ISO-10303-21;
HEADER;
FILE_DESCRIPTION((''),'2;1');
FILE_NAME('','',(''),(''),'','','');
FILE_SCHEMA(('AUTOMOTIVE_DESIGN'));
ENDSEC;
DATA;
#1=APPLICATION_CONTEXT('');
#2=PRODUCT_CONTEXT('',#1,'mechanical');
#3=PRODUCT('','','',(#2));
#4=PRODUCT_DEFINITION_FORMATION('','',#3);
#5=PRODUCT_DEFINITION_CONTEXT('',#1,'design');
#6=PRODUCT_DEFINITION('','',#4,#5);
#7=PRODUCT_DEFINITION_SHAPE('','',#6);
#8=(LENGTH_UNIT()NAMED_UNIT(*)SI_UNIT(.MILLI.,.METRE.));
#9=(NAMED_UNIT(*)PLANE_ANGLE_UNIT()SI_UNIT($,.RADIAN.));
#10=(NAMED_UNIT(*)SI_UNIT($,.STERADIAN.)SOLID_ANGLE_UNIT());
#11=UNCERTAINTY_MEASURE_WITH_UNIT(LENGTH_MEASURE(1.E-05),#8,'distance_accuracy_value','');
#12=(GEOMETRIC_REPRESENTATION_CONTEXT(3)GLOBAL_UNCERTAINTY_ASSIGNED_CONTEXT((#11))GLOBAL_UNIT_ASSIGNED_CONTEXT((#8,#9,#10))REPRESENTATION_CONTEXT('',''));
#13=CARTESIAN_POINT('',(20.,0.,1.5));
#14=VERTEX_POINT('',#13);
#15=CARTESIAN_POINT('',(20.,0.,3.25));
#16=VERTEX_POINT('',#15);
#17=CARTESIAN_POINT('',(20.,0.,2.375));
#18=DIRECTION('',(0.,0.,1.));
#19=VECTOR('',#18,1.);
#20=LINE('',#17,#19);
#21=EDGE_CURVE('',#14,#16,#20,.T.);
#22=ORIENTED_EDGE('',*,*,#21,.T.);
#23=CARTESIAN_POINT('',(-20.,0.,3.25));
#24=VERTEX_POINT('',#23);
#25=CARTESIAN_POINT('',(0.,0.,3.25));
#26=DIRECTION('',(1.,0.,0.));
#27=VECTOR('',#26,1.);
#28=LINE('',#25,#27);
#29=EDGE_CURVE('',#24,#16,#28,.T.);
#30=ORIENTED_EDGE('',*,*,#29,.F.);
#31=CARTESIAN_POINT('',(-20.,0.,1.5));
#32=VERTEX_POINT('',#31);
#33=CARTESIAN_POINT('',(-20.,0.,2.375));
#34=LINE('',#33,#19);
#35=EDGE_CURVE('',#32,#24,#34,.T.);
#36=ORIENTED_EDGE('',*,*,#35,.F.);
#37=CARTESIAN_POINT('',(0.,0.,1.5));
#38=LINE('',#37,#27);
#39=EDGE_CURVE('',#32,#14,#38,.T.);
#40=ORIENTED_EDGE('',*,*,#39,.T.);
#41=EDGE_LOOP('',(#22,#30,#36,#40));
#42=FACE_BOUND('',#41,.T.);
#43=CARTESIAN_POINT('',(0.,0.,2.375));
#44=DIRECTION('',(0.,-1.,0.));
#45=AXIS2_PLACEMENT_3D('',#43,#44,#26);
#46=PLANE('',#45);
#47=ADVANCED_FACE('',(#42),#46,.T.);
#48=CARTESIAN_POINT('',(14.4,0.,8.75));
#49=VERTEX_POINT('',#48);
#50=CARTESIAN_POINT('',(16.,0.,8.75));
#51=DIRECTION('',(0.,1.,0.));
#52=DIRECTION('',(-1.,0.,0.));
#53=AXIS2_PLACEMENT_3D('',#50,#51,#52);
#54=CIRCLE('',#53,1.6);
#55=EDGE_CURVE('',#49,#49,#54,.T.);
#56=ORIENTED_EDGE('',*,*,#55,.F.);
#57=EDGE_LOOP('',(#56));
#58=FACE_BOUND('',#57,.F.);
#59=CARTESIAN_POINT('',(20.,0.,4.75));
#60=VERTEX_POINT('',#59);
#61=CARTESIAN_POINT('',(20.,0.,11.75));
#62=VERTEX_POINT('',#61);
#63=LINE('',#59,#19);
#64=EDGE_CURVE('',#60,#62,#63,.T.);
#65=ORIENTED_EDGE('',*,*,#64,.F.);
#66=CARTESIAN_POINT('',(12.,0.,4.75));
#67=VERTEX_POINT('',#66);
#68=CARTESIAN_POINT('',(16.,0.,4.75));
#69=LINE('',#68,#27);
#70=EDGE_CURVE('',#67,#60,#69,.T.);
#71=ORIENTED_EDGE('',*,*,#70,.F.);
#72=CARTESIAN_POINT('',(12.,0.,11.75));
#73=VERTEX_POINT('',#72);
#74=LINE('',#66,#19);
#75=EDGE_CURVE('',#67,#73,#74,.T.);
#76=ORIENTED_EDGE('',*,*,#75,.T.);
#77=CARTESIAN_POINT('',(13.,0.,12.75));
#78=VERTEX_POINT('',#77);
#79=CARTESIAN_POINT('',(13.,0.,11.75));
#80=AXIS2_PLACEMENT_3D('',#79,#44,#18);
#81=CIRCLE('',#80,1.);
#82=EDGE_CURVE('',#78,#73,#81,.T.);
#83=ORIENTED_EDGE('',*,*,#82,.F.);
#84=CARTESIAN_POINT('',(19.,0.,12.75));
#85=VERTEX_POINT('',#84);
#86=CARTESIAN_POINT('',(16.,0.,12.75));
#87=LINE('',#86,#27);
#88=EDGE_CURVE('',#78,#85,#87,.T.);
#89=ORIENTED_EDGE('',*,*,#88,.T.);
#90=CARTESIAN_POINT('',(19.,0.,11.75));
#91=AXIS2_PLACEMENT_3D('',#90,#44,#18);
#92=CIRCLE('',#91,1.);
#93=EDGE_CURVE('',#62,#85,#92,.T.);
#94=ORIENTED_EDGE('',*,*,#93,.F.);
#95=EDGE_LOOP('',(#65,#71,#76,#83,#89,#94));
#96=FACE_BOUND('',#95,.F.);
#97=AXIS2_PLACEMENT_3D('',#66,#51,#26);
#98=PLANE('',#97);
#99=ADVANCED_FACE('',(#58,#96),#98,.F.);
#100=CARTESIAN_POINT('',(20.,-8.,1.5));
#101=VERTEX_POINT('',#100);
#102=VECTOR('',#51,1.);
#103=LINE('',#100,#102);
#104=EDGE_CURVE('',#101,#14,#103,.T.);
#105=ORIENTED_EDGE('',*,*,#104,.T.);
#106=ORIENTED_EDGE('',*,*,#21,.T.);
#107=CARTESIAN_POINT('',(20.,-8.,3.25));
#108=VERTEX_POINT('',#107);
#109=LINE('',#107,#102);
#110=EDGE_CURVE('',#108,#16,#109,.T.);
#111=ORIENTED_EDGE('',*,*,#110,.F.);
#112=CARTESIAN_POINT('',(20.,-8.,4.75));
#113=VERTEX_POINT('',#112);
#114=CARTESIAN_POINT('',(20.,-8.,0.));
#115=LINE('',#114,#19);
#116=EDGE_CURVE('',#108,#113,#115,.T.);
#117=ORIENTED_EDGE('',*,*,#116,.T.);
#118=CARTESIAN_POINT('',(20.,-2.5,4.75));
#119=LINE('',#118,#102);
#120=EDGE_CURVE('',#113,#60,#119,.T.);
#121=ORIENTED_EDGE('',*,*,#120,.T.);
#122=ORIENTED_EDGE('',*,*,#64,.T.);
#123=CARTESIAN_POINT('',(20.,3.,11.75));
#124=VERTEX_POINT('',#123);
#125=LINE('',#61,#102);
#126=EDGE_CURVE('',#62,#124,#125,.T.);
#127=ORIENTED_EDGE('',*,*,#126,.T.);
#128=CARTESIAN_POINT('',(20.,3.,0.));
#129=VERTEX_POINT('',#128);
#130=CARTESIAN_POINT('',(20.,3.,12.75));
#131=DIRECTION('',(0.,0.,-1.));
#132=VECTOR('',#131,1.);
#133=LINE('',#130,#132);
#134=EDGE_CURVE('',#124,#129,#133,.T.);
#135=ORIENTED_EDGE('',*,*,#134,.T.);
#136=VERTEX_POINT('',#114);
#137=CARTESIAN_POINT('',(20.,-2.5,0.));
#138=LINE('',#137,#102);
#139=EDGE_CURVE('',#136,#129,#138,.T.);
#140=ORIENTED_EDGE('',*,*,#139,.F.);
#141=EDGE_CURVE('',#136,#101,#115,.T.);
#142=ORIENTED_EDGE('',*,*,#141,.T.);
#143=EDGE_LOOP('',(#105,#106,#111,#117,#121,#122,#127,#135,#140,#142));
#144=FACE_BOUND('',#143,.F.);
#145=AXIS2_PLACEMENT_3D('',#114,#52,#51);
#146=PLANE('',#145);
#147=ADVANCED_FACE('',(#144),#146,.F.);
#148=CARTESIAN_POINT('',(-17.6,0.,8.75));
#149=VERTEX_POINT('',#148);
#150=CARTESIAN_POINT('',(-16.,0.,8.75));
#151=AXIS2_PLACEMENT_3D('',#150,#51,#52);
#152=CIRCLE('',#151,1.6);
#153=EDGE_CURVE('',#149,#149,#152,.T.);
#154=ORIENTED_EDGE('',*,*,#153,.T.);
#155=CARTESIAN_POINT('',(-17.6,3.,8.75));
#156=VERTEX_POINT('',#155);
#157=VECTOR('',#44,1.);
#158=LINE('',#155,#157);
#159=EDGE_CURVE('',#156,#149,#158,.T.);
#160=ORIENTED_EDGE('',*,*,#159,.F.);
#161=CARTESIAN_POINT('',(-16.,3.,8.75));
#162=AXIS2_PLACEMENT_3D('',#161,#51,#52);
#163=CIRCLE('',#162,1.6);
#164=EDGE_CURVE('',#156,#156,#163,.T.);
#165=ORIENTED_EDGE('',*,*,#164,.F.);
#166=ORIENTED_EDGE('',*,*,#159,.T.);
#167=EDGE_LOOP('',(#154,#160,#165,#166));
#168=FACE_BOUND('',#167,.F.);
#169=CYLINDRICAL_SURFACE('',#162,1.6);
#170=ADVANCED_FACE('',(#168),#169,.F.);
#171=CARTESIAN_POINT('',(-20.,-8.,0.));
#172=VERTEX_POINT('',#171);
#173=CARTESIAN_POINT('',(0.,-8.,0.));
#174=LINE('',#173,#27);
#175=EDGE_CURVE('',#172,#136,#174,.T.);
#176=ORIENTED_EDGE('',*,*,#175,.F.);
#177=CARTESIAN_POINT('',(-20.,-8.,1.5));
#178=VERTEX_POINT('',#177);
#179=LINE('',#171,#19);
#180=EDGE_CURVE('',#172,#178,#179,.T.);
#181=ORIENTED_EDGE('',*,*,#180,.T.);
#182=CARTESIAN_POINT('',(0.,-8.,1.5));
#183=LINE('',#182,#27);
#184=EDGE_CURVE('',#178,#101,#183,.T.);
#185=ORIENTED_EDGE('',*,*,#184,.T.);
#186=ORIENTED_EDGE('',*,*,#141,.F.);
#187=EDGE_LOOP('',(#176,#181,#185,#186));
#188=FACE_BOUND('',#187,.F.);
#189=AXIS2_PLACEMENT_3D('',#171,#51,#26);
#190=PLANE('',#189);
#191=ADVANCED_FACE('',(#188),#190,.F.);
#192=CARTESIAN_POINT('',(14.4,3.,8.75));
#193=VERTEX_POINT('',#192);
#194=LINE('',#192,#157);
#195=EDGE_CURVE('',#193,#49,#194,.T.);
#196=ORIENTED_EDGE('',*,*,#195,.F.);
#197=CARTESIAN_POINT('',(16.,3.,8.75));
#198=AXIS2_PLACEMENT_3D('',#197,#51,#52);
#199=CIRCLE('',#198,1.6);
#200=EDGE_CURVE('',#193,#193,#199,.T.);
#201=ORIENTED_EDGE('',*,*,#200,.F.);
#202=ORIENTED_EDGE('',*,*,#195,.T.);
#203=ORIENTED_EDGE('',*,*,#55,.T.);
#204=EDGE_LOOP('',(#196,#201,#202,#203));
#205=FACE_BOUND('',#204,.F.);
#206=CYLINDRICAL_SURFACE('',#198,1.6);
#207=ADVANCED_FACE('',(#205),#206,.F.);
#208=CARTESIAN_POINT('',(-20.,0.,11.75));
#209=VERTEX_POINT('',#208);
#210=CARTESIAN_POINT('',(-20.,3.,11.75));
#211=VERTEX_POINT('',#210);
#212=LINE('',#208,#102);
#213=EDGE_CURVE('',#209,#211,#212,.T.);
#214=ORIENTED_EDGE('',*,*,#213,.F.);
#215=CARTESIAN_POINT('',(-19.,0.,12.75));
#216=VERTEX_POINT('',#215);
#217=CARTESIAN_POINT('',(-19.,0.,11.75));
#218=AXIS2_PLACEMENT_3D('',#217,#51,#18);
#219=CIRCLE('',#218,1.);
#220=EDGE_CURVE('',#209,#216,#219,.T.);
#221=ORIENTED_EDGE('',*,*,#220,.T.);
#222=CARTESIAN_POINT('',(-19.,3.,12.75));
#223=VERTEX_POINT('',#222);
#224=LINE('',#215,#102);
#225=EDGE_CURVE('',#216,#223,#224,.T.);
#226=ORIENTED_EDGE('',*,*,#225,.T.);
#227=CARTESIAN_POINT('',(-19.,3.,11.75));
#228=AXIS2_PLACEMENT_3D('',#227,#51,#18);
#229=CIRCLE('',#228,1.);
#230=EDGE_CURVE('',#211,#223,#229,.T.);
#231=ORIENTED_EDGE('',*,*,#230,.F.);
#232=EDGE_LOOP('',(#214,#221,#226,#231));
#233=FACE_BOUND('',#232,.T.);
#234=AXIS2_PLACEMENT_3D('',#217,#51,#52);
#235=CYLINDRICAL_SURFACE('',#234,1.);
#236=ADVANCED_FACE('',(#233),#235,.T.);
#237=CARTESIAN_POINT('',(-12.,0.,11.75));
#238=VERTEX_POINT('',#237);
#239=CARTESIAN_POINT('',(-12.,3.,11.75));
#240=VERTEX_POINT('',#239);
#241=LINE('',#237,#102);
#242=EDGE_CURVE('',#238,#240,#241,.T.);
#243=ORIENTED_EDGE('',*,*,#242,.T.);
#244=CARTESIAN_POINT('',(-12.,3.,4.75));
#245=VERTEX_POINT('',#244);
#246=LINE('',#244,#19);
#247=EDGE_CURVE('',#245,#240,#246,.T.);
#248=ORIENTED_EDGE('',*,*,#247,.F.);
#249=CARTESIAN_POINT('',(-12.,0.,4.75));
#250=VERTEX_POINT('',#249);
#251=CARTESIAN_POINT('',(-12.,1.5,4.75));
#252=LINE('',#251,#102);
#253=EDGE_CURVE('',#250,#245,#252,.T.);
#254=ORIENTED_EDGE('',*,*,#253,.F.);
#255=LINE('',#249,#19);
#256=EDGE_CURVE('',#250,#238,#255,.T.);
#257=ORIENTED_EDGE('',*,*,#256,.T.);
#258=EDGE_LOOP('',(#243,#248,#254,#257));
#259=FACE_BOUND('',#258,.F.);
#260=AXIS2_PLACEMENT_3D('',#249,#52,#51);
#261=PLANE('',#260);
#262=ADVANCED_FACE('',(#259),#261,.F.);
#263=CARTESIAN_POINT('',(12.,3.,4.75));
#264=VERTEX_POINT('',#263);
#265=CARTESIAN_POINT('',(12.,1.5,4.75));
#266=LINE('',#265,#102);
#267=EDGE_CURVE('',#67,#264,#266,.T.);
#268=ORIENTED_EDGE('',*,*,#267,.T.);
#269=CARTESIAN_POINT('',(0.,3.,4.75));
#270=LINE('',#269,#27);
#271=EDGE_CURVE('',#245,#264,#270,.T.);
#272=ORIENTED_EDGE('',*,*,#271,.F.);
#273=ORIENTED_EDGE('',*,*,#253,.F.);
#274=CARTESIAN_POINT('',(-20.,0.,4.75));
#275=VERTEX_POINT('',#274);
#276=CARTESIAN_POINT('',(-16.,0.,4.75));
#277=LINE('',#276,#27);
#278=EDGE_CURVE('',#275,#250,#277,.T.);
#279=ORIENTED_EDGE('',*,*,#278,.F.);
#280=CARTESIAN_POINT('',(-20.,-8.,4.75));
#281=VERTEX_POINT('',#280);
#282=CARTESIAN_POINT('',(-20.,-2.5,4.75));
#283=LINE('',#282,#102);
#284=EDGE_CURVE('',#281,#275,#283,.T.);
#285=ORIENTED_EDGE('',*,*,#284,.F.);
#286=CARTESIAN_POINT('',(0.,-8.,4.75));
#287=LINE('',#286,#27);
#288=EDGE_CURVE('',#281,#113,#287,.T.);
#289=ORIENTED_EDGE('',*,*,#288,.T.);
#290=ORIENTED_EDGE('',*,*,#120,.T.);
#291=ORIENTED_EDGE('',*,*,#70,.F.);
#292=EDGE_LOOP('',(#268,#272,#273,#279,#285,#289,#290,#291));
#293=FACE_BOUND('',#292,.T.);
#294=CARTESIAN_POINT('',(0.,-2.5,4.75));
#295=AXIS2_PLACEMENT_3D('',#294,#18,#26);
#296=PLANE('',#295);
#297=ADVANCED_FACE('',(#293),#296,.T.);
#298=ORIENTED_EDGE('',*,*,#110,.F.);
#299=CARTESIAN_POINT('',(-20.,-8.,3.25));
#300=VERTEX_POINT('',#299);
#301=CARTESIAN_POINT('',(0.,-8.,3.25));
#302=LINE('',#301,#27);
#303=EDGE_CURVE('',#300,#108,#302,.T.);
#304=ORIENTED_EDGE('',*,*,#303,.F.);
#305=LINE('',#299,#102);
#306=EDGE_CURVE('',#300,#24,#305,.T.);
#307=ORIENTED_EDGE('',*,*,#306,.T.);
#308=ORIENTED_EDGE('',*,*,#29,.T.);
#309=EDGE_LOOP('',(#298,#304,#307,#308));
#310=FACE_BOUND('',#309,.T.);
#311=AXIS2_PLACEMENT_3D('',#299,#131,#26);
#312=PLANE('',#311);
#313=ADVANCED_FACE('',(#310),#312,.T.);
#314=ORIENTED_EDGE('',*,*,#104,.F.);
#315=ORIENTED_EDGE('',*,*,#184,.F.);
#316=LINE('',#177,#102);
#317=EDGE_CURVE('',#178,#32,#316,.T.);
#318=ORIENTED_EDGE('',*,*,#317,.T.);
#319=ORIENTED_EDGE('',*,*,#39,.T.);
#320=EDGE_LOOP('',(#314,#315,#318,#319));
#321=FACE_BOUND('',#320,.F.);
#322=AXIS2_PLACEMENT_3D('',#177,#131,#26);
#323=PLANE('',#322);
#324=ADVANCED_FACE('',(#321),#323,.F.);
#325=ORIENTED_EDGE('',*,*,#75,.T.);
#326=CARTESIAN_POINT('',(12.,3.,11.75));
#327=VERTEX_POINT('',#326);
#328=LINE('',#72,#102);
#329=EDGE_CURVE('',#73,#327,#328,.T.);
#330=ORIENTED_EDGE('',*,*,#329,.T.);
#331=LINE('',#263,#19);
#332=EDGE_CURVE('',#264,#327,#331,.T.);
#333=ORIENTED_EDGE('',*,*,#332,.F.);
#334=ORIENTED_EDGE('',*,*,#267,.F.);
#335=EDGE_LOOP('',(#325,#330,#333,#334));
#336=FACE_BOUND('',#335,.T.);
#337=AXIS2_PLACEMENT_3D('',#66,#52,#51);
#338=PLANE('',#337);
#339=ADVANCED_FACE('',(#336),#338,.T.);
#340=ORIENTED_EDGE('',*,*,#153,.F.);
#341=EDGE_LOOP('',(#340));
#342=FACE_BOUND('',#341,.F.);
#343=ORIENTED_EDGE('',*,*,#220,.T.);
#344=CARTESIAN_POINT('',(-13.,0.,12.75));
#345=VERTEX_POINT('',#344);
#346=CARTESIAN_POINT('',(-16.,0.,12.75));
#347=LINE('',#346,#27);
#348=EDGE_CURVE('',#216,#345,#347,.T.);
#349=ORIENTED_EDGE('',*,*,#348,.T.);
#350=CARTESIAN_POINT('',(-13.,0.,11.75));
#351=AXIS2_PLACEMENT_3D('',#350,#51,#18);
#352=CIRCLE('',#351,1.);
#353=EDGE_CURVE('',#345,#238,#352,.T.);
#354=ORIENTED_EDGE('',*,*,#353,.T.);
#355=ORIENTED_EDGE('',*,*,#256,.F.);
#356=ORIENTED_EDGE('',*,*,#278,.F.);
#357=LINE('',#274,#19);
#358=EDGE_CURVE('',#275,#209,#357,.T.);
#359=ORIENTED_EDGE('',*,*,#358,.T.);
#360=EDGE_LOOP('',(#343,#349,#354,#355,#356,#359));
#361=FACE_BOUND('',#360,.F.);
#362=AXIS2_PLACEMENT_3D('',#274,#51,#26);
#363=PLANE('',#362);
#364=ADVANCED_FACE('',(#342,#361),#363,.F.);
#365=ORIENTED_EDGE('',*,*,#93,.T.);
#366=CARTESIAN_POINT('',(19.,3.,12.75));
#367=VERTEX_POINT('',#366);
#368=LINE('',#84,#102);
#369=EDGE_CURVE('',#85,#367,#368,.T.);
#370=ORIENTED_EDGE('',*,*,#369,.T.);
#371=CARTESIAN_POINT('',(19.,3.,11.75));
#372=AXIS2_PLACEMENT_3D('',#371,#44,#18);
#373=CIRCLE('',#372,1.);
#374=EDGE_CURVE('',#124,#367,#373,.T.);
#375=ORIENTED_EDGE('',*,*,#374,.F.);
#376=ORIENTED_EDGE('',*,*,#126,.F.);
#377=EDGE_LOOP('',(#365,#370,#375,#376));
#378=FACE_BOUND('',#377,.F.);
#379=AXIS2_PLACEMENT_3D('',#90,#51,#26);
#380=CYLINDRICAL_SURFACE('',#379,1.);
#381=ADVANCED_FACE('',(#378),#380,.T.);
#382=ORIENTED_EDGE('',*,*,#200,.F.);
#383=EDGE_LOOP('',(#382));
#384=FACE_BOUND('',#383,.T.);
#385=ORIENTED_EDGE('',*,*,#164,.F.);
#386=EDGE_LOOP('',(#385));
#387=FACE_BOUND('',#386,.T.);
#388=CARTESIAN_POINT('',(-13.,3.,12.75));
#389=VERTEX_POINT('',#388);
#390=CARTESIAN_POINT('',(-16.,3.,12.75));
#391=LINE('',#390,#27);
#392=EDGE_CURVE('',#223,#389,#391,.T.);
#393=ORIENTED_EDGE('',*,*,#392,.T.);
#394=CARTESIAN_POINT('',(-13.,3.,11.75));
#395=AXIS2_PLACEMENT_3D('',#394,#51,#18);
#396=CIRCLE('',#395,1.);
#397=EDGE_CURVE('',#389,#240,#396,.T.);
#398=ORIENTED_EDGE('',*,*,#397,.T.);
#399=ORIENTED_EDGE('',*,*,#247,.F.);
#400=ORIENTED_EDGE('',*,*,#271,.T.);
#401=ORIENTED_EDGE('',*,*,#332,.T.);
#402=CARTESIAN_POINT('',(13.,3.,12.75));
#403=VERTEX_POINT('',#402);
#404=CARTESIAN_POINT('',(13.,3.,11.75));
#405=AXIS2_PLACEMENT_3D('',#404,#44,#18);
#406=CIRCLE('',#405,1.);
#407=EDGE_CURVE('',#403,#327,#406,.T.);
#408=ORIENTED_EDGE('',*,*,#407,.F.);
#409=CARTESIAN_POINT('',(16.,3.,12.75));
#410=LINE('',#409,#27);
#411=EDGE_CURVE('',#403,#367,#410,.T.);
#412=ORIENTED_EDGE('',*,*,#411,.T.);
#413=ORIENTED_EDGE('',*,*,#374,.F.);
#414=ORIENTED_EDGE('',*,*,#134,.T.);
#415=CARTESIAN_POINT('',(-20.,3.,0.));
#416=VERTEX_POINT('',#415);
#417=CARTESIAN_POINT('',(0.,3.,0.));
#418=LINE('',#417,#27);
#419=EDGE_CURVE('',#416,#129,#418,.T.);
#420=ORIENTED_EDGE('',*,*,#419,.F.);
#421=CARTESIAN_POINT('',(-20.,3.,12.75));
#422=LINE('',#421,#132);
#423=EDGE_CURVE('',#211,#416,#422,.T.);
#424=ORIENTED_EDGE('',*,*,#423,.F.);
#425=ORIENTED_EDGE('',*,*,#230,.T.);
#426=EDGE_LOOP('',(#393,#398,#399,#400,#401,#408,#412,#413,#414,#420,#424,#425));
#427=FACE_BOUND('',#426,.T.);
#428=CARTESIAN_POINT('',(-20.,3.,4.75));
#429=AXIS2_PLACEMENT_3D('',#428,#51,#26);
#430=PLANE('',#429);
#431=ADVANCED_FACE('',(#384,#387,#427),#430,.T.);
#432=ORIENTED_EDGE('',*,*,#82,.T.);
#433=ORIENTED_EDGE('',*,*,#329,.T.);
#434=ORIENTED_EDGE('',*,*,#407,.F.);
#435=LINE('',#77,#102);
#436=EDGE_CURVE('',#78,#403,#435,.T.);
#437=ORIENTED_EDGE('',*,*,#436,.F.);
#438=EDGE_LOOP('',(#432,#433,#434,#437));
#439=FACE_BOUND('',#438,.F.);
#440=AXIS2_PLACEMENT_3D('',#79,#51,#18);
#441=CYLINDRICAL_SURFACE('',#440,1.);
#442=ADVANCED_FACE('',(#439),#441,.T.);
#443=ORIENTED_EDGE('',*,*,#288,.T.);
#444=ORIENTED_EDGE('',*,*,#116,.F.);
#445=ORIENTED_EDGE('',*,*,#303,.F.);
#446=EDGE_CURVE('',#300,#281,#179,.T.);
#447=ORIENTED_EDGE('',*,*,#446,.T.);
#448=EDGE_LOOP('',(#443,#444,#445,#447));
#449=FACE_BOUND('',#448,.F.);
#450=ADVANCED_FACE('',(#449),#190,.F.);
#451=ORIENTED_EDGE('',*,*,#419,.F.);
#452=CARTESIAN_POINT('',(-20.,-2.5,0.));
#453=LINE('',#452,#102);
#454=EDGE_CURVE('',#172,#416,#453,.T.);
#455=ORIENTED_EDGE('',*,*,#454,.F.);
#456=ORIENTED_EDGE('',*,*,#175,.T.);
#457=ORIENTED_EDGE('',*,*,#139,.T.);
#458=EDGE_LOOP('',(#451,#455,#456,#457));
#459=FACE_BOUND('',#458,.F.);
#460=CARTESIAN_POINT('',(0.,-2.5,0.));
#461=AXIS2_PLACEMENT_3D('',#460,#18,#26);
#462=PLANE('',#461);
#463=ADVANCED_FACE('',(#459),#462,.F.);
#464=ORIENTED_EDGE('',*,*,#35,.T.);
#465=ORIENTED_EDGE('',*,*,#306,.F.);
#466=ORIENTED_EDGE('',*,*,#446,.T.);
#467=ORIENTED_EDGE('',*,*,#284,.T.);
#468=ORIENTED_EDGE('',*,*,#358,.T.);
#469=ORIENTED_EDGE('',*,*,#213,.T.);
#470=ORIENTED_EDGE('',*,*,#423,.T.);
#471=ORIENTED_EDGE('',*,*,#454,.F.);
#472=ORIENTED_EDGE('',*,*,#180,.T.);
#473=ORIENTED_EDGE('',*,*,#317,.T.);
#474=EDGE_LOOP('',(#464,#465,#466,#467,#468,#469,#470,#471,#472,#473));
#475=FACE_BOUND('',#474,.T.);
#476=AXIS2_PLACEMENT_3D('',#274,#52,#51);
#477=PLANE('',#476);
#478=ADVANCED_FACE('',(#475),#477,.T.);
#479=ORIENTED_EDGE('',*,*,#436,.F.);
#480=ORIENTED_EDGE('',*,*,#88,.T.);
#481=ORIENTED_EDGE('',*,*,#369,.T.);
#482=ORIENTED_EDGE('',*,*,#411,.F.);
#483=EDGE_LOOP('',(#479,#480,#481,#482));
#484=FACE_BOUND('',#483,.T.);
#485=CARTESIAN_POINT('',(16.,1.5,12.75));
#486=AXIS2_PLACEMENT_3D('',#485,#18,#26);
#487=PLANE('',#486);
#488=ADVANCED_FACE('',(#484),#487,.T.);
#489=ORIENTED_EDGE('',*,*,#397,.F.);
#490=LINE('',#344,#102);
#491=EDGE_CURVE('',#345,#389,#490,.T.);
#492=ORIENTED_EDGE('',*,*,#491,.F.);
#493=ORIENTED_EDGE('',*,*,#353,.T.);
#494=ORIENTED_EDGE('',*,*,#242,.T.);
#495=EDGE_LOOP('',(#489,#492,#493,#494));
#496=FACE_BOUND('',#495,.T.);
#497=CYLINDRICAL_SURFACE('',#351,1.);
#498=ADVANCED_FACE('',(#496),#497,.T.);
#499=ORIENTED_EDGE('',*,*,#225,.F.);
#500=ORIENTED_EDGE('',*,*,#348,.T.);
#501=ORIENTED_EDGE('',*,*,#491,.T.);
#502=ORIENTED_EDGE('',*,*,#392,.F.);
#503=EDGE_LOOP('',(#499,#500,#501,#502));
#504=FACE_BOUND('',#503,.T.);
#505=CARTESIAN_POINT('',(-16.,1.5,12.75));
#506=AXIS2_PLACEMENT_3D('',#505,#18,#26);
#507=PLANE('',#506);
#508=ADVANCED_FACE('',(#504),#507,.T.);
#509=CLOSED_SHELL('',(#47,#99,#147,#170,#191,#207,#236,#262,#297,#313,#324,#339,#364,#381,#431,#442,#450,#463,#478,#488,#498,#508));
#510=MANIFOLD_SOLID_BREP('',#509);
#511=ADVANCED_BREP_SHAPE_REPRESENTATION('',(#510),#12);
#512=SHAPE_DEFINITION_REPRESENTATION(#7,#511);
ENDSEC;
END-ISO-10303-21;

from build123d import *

# Parameters (mm, degrees)
SKETCH_W        = 40
SKETCH_H        = 11
PAD_DEPTH       = 4.75
SKETCH001_W     = 40
SKETCH001_H     = 1.75
POCKET_DEPTH    = 8
SKETCH002_W     = 8
SKETCH002_H     = 3
PAD001_DEPTH    = 8
SKETCH004_R     = 1.6
POCKET001_DEPTH = 11.001
FILLET_R        = 1


with BuildPart() as part:
    # Sketch → Pad (new body)
    with BuildSketch(Plane.XY):
        with Locations((0, -2.5)):
            Rectangle(SKETCH_W, SKETCH_H)
    extrude(amount=PAD_DEPTH)

    # Sketch001 (on Face3 of Pad) → Pocket (cut)
    with BuildSketch(Plane.XZ.offset(8)):
        with Locations((0, 2.375)):
            Rectangle(SKETCH001_W, SKETCH001_H)
    extrude(amount=-POCKET_DEPTH, mode=Mode.SUBTRACT)

    # Sketch002 (on Face5 of Pocket) → Pad001 (join)
    with BuildSketch(Plane.XY.offset(4.75)):
        with Locations((-16, 1.5)):
            Rectangle(SKETCH002_W, SKETCH002_H)
        with Locations((16, 1.5)):
            Rectangle(SKETCH002_W, SKETCH002_H)
    extrude(amount=PAD001_DEPTH)

    # Sketch004 (on Face7 of Pad001) → Pocket001 (cut, through all)
    with BuildSketch(Plane(origin=(0, 3, 0), x_dir=(-1, 0, 0), z_dir=(0, 1, 0))):
        with Locations((-16, 8.75)):
            Circle(SKETCH004_R)
        with Locations((16, 8.75)):
            Circle(SKETCH004_R)
    extrude(amount=-POCKET001_DEPTH, mode=Mode.SUBTRACT)

    # Fillet
    fillet_edges = [part.edges().sort_by_distance(p)[0] for p in [
        (20, 1.5, 12.75),
        (12, 1.5, 12.75),
        (-12, 1.5, 12.75),
        (-20, 1.5, 12.75),
    ]]
    fillet(fillet_edges, radius=FILLET_R)


solid = part.part
